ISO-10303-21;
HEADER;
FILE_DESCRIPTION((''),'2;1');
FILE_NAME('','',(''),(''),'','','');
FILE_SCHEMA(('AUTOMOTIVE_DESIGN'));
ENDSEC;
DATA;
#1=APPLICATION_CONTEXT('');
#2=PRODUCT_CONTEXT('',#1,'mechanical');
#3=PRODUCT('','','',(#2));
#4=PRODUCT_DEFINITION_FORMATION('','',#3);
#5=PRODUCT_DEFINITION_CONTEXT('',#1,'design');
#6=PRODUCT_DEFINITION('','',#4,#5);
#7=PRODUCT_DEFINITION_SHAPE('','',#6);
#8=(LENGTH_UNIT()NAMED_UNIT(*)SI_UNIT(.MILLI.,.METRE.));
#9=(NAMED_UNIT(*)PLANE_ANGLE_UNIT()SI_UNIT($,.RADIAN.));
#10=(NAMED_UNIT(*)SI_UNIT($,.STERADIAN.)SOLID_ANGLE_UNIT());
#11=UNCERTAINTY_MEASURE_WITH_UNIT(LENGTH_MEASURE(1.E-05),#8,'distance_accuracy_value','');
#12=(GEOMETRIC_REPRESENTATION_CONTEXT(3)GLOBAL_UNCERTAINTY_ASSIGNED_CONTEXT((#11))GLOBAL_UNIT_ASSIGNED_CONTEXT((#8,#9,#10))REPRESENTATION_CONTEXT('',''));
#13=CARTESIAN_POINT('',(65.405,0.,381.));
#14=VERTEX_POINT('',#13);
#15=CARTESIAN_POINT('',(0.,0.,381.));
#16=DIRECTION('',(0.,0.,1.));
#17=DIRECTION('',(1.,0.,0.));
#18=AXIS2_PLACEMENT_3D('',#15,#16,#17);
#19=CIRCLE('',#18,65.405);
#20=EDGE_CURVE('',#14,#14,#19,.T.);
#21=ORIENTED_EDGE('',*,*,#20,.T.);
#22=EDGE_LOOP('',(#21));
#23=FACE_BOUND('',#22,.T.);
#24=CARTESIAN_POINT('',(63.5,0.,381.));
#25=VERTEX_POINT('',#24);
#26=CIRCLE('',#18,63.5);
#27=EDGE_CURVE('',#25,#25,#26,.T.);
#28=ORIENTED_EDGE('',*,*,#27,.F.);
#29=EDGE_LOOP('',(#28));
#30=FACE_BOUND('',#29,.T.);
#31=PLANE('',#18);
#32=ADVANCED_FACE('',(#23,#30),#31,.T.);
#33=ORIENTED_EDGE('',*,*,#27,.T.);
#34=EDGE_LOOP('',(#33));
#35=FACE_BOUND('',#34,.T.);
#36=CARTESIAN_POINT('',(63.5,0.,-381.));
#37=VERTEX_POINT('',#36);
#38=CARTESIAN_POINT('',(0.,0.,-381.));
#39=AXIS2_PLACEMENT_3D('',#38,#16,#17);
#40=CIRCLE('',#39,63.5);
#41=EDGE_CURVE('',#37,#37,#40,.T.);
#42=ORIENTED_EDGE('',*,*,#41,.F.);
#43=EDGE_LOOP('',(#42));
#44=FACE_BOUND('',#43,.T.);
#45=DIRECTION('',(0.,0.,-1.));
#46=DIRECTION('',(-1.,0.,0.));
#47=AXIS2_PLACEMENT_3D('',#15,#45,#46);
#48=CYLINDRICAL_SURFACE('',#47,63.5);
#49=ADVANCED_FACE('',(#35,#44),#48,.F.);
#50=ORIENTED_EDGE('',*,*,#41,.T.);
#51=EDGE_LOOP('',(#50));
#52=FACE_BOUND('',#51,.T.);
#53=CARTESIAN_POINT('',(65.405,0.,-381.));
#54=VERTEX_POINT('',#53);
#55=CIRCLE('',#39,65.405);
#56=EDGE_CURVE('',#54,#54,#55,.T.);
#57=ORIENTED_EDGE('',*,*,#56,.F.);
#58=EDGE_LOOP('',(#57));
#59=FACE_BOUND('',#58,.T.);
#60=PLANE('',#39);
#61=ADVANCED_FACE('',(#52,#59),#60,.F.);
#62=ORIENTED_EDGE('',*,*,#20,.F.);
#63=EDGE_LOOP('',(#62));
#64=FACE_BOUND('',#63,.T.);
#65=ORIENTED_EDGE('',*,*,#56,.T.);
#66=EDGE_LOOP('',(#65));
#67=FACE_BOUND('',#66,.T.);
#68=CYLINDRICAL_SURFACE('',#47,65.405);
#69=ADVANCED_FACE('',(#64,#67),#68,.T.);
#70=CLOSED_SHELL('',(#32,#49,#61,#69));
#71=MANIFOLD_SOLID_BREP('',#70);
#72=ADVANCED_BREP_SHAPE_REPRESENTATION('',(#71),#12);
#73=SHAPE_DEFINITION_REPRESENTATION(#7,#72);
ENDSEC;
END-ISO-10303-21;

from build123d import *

# Parameters (mm, degrees)
SKETCH1_R           = 65.405
SKETCH1_R_2         = 63.5
BOSS_EXTRUDE1_DEPTH = 381


with BuildPart() as part:
    # Sketch1 → Boss-Extrude1 (new body, symmetric)
    with BuildSketch(Plane.XY):
        Circle(SKETCH1_R)
        Circle(SKETCH1_R_2, mode=Mode.SUBTRACT)
    extrude(amount=BOSS_EXTRUDE1_DEPTH, both=True)


solid = part.part
